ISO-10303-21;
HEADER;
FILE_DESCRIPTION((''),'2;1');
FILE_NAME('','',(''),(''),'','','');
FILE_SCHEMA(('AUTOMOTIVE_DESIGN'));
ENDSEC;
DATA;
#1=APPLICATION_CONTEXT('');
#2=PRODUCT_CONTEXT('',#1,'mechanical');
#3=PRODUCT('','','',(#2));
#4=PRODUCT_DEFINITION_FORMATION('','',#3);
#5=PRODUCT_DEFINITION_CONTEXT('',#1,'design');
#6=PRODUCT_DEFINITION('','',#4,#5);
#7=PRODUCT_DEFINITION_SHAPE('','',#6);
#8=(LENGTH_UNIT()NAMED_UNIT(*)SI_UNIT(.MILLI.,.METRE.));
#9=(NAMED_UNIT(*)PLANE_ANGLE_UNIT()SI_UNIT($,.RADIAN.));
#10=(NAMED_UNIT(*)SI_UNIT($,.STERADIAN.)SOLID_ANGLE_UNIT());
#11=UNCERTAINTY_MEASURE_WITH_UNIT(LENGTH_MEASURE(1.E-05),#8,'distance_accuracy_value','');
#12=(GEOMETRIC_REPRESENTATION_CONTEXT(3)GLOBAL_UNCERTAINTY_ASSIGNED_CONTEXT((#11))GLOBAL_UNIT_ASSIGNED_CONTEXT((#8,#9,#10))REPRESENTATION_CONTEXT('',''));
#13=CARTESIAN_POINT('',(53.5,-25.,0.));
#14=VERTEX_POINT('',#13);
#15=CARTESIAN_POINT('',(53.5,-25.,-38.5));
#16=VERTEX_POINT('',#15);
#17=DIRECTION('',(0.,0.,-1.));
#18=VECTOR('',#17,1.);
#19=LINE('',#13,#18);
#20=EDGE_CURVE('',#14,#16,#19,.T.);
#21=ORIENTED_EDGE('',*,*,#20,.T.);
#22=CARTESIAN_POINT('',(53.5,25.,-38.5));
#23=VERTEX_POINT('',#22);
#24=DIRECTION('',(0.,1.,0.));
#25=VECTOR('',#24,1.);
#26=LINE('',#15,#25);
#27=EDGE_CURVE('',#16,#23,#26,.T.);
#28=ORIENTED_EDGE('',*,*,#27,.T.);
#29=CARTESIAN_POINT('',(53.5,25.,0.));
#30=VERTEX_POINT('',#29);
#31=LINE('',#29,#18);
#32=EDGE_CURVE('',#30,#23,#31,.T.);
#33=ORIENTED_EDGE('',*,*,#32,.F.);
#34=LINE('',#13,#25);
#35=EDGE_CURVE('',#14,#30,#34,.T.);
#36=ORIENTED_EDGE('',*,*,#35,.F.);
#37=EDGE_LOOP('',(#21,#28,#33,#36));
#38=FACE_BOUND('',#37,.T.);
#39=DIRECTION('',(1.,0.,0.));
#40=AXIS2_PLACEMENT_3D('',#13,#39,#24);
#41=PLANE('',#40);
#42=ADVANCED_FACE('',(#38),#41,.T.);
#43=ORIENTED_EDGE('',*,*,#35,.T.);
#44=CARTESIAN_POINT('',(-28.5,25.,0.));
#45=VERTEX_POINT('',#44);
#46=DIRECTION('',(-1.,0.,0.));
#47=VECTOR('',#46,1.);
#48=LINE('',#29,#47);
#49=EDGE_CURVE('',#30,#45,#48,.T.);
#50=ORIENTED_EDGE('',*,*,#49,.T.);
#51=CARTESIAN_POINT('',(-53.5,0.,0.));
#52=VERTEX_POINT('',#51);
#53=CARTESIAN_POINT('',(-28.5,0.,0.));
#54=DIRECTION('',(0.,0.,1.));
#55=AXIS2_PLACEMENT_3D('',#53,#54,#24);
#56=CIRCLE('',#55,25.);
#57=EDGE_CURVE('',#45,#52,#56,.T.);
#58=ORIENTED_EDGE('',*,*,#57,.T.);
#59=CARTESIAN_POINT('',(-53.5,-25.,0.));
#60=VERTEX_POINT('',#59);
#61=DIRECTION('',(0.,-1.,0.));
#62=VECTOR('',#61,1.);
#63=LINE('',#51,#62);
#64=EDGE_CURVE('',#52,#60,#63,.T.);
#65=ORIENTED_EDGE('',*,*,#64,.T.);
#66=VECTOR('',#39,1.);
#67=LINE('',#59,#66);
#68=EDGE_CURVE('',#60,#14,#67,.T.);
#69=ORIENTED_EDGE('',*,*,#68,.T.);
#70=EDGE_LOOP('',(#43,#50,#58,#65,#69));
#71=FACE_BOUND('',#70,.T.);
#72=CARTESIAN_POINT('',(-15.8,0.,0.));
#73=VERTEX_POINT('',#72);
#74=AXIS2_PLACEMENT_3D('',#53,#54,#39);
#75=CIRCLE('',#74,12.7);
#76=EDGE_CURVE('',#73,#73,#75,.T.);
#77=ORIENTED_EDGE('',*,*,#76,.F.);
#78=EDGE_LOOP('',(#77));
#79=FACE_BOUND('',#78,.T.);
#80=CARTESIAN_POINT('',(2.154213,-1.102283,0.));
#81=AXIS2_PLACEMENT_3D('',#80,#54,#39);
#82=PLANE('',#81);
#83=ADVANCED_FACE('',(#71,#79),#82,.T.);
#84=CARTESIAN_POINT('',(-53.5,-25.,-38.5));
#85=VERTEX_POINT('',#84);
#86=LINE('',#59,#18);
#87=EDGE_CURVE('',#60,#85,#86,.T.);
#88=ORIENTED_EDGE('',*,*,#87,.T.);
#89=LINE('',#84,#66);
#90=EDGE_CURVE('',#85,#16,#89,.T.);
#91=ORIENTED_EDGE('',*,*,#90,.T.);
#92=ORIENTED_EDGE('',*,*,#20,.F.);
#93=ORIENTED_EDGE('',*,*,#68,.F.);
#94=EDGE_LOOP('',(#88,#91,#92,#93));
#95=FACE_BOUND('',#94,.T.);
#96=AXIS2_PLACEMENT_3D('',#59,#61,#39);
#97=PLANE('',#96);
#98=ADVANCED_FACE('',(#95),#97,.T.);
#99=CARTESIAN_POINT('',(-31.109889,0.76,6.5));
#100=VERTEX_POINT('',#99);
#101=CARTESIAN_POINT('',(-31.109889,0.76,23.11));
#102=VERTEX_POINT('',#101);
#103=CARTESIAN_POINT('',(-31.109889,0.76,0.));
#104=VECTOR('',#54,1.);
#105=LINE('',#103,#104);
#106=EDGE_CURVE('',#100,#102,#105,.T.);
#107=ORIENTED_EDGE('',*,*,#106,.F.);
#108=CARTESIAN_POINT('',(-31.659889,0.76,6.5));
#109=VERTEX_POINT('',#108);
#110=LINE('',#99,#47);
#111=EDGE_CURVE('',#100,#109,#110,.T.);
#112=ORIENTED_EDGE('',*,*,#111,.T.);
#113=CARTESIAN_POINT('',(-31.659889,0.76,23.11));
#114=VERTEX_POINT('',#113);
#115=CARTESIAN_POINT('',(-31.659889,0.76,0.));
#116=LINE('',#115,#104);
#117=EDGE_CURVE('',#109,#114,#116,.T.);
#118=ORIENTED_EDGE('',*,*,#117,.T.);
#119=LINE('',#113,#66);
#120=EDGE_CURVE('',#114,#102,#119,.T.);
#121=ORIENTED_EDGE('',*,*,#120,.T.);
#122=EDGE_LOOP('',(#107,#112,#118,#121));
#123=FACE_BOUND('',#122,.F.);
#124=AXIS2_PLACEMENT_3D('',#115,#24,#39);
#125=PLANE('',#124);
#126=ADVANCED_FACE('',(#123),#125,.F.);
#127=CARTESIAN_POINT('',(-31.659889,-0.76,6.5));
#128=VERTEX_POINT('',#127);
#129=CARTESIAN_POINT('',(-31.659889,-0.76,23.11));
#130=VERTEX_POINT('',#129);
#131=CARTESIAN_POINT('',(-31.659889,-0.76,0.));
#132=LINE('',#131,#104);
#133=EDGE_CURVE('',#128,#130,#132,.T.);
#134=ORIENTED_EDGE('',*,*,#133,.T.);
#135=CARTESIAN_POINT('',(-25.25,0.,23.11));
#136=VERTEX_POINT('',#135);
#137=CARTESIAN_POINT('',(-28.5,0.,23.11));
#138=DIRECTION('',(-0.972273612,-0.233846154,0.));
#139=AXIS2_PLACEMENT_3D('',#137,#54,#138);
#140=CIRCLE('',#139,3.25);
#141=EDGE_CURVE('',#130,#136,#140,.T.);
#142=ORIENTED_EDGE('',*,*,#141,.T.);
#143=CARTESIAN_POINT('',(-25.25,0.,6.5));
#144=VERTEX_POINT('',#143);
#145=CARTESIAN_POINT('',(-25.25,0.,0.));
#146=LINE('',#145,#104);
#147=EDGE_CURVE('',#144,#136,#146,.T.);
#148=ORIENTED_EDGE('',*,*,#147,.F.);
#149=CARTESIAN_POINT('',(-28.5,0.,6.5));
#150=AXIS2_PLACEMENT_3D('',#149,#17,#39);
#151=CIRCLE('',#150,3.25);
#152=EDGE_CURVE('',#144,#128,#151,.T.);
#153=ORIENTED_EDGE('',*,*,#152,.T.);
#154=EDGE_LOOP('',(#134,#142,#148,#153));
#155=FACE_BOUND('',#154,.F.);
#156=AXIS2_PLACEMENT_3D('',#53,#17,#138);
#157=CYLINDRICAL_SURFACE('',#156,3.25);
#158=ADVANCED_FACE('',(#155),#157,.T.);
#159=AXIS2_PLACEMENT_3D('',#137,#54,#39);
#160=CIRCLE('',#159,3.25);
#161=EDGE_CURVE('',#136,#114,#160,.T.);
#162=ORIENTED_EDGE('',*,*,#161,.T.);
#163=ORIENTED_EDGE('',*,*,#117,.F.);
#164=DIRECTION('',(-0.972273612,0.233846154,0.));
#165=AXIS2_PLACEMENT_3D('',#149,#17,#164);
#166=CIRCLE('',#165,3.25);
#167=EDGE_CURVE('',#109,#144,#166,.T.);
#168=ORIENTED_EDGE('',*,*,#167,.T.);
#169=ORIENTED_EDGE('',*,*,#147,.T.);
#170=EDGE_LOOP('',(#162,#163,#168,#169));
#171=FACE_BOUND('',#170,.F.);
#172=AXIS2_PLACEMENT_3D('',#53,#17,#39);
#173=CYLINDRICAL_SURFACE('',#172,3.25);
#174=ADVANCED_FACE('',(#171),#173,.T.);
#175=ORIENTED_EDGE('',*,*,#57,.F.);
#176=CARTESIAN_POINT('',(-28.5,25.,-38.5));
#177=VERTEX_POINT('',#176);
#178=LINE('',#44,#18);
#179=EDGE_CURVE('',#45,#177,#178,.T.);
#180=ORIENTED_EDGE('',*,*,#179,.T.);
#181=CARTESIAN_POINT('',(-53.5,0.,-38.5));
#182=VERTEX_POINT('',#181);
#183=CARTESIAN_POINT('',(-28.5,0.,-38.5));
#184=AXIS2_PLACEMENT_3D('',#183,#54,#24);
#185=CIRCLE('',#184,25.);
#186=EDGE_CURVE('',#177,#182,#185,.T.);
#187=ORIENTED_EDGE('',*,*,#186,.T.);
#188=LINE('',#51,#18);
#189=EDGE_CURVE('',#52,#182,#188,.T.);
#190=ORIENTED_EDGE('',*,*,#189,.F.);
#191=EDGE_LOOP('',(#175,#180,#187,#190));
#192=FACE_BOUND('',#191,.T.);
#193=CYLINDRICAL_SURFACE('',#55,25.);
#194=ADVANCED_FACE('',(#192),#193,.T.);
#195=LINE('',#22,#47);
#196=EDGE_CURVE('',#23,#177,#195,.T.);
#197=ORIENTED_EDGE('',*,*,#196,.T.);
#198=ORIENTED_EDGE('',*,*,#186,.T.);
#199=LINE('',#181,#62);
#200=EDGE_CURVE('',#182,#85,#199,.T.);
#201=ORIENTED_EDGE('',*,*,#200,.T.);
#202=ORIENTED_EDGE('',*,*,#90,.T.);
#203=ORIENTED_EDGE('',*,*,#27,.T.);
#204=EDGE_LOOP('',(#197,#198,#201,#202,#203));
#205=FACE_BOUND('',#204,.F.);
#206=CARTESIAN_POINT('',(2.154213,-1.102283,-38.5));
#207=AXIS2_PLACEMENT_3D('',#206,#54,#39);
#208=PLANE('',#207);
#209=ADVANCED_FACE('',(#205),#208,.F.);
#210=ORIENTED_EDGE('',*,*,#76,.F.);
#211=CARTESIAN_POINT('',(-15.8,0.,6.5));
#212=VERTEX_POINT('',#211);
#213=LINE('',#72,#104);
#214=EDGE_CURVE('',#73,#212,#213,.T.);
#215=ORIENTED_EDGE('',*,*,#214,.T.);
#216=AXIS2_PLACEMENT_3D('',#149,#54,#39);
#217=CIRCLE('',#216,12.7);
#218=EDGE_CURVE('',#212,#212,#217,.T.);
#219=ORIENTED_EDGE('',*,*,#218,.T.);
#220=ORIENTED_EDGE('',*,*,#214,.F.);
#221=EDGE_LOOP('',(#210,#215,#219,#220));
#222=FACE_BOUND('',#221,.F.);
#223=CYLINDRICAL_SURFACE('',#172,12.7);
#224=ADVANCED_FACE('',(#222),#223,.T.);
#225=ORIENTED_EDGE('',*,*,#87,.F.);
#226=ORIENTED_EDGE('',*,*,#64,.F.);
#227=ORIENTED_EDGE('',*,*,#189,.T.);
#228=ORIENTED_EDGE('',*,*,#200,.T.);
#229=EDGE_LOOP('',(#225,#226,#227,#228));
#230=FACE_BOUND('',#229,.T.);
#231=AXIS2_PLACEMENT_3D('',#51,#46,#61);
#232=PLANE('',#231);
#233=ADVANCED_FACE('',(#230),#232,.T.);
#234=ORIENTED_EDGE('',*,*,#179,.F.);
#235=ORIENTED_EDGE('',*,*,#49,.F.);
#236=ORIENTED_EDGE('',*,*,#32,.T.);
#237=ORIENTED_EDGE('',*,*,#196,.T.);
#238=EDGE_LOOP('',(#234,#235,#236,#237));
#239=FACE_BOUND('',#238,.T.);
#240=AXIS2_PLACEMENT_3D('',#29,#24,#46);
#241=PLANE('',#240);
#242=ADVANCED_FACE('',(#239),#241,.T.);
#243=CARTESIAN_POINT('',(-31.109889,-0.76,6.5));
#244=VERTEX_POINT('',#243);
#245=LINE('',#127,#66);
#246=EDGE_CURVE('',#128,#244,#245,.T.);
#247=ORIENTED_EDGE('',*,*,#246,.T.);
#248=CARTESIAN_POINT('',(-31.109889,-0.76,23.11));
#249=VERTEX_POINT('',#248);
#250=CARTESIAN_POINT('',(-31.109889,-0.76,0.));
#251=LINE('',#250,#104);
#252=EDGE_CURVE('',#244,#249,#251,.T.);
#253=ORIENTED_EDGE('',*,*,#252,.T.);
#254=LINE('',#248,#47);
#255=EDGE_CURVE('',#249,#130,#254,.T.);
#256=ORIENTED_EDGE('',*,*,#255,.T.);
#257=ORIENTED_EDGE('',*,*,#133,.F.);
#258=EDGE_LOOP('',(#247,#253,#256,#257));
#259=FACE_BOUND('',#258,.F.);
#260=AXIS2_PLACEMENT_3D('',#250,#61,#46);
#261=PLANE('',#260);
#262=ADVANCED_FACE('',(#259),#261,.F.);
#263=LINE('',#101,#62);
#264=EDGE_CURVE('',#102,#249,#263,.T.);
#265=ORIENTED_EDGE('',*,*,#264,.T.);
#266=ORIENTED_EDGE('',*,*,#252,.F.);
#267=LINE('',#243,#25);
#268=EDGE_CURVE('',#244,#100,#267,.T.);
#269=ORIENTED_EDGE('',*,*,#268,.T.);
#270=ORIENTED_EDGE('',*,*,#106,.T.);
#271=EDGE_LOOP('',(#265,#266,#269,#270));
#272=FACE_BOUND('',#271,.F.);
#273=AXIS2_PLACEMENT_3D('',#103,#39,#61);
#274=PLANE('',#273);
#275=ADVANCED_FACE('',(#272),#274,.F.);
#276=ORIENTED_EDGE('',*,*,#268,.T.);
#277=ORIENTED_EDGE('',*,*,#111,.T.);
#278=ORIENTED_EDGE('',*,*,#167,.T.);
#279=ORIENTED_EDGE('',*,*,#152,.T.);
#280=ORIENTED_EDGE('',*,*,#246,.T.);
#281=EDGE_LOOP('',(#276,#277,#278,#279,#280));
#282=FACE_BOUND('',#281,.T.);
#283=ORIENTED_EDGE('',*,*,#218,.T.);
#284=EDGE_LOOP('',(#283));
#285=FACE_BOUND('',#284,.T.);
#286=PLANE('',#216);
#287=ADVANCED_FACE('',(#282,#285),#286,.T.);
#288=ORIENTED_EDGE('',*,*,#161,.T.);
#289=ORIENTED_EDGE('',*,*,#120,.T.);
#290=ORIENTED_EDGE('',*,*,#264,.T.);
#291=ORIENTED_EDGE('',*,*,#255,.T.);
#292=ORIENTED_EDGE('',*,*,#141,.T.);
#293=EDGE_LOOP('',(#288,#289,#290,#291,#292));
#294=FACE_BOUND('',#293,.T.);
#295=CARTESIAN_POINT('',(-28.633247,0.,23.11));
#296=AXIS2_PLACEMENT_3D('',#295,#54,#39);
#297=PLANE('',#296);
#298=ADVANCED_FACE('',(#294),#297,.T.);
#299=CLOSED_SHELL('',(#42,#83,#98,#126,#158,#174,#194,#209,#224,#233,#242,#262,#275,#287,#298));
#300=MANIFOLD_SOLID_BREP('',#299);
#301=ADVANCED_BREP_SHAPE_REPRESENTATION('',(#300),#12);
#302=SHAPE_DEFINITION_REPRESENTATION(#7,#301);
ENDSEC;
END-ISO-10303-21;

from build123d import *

# Parameters (mm, degrees)
F0_R     = 12.7
F1_DEPTH = 38.5
F2_DEPTH = 23.11
F3_DEPTH = 6.5


with BuildPart() as f1:
    # F0 (on Top) → F1 (new body)
    with BuildSketch(Plane.XY):
        with BuildLine():
            Line((53.5, -25), (53.5, 25))
            Line((53.5, 25), (-28.5, 25))
            ThreePointArc((-28.5, 25), (-46.1776695297, 17.6776695297), (-53.5, 0))
            Line((-53.5, 0), (-53.5, -25))
            Line((-53.5, -25), (53.5, -25))
        make_face()
        with Locations((-28.5, 0)):
            Circle(F0_R, mode=Mode.SUBTRACT)
        with Locations((-28.5, 0)):
            Circle(F0_R)
        with BuildLine():
            ThreePointArc((-31.6598892386, 0.76), (-28.117338286, 3.2273936873), (-25.25, 0))
            ThreePointArc((-25.25, 0), (-28.117338286, -3.2273936873), (-31.6598892386, -0.76))
            ThreePointArc((-31.6598892386, -0.76), (-31.75, 0), (-31.6598892386, 0.76))
        make_face(mode=Mode.SUBTRACT)
        with BuildLine():
            ThreePointArc((-31.6598892386, -0.76), (-28.117338286, -3.2273936873), (-25.25, 0))
            ThreePointArc((-25.25, 0), (-28.117338286, 3.2273936873), (-31.6598892386, 0.76))
            Line((-31.6598892386, 0.76), (-31.1098892386, 0.76))
            Line((-31.1098892386, 0.76), (-31.1098892386, -0.76))
            Line((-31.1098892386, -0.76), (-31.6598892386, -0.76))
        make_face()
        with BuildLine():
            Line((-31.1098892386, 0.76), (-31.6598892386, 0.76))
            ThreePointArc((-31.6598892386, 0.76), (-31.75, 0), (-31.6598892386, -0.76))
            Line((-31.6598892386, -0.76), (-31.1098892386, -0.76))
            Line((-31.1098892386, -0.76), (-31.1098892386, 0.76))
        make_face()
    extrude(amount=-F1_DEPTH)

    # F0 (on Top) → F2 (join)
    with BuildSketch(Plane.XY):
        with BuildLine():
            ThreePointArc((-31.6598892386, -0.76), (-28.117338286, -3.2273936873), (-25.25, 0))
            ThreePointArc((-25.25, 0), (-28.117338286, 3.2273936873), (-31.6598892386, 0.76))
            Line((-31.6598892386, 0.76), (-31.1098892386, 0.76))
            Line((-31.1098892386, 0.76), (-31.1098892386, -0.76))
            Line((-31.1098892386, -0.76), (-31.6598892386, -0.76))
        make_face()
    extrude(amount=F2_DEPTH)

    # F0 (on Top) → F3 (join)
    with BuildSketch(Plane.XY):
        with Locations((-28.5, 0)):
            Circle(F0_R)
        with BuildLine():
            ThreePointArc((-31.6598892386, 0.76), (-28.117338286, 3.2273936873), (-25.25, 0))
            ThreePointArc((-25.25, 0), (-28.117338286, -3.2273936873), (-31.6598892386, -0.76))
            ThreePointArc((-31.6598892386, -0.76), (-31.75, 0), (-31.6598892386, 0.76))
        make_face(mode=Mode.SUBTRACT)
        with BuildLine():
            Line((-31.1098892386, 0.76), (-31.6598892386, 0.76))
            ThreePointArc((-31.6598892386, 0.76), (-31.75, 0), (-31.6598892386, -0.76))
            Line((-31.6598892386, -0.76), (-31.1098892386, -0.76))
            Line((-31.1098892386, -0.76), (-31.1098892386, 0.76))
        make_face()
    extrude(amount=F3_DEPTH)


solid = f1.part
